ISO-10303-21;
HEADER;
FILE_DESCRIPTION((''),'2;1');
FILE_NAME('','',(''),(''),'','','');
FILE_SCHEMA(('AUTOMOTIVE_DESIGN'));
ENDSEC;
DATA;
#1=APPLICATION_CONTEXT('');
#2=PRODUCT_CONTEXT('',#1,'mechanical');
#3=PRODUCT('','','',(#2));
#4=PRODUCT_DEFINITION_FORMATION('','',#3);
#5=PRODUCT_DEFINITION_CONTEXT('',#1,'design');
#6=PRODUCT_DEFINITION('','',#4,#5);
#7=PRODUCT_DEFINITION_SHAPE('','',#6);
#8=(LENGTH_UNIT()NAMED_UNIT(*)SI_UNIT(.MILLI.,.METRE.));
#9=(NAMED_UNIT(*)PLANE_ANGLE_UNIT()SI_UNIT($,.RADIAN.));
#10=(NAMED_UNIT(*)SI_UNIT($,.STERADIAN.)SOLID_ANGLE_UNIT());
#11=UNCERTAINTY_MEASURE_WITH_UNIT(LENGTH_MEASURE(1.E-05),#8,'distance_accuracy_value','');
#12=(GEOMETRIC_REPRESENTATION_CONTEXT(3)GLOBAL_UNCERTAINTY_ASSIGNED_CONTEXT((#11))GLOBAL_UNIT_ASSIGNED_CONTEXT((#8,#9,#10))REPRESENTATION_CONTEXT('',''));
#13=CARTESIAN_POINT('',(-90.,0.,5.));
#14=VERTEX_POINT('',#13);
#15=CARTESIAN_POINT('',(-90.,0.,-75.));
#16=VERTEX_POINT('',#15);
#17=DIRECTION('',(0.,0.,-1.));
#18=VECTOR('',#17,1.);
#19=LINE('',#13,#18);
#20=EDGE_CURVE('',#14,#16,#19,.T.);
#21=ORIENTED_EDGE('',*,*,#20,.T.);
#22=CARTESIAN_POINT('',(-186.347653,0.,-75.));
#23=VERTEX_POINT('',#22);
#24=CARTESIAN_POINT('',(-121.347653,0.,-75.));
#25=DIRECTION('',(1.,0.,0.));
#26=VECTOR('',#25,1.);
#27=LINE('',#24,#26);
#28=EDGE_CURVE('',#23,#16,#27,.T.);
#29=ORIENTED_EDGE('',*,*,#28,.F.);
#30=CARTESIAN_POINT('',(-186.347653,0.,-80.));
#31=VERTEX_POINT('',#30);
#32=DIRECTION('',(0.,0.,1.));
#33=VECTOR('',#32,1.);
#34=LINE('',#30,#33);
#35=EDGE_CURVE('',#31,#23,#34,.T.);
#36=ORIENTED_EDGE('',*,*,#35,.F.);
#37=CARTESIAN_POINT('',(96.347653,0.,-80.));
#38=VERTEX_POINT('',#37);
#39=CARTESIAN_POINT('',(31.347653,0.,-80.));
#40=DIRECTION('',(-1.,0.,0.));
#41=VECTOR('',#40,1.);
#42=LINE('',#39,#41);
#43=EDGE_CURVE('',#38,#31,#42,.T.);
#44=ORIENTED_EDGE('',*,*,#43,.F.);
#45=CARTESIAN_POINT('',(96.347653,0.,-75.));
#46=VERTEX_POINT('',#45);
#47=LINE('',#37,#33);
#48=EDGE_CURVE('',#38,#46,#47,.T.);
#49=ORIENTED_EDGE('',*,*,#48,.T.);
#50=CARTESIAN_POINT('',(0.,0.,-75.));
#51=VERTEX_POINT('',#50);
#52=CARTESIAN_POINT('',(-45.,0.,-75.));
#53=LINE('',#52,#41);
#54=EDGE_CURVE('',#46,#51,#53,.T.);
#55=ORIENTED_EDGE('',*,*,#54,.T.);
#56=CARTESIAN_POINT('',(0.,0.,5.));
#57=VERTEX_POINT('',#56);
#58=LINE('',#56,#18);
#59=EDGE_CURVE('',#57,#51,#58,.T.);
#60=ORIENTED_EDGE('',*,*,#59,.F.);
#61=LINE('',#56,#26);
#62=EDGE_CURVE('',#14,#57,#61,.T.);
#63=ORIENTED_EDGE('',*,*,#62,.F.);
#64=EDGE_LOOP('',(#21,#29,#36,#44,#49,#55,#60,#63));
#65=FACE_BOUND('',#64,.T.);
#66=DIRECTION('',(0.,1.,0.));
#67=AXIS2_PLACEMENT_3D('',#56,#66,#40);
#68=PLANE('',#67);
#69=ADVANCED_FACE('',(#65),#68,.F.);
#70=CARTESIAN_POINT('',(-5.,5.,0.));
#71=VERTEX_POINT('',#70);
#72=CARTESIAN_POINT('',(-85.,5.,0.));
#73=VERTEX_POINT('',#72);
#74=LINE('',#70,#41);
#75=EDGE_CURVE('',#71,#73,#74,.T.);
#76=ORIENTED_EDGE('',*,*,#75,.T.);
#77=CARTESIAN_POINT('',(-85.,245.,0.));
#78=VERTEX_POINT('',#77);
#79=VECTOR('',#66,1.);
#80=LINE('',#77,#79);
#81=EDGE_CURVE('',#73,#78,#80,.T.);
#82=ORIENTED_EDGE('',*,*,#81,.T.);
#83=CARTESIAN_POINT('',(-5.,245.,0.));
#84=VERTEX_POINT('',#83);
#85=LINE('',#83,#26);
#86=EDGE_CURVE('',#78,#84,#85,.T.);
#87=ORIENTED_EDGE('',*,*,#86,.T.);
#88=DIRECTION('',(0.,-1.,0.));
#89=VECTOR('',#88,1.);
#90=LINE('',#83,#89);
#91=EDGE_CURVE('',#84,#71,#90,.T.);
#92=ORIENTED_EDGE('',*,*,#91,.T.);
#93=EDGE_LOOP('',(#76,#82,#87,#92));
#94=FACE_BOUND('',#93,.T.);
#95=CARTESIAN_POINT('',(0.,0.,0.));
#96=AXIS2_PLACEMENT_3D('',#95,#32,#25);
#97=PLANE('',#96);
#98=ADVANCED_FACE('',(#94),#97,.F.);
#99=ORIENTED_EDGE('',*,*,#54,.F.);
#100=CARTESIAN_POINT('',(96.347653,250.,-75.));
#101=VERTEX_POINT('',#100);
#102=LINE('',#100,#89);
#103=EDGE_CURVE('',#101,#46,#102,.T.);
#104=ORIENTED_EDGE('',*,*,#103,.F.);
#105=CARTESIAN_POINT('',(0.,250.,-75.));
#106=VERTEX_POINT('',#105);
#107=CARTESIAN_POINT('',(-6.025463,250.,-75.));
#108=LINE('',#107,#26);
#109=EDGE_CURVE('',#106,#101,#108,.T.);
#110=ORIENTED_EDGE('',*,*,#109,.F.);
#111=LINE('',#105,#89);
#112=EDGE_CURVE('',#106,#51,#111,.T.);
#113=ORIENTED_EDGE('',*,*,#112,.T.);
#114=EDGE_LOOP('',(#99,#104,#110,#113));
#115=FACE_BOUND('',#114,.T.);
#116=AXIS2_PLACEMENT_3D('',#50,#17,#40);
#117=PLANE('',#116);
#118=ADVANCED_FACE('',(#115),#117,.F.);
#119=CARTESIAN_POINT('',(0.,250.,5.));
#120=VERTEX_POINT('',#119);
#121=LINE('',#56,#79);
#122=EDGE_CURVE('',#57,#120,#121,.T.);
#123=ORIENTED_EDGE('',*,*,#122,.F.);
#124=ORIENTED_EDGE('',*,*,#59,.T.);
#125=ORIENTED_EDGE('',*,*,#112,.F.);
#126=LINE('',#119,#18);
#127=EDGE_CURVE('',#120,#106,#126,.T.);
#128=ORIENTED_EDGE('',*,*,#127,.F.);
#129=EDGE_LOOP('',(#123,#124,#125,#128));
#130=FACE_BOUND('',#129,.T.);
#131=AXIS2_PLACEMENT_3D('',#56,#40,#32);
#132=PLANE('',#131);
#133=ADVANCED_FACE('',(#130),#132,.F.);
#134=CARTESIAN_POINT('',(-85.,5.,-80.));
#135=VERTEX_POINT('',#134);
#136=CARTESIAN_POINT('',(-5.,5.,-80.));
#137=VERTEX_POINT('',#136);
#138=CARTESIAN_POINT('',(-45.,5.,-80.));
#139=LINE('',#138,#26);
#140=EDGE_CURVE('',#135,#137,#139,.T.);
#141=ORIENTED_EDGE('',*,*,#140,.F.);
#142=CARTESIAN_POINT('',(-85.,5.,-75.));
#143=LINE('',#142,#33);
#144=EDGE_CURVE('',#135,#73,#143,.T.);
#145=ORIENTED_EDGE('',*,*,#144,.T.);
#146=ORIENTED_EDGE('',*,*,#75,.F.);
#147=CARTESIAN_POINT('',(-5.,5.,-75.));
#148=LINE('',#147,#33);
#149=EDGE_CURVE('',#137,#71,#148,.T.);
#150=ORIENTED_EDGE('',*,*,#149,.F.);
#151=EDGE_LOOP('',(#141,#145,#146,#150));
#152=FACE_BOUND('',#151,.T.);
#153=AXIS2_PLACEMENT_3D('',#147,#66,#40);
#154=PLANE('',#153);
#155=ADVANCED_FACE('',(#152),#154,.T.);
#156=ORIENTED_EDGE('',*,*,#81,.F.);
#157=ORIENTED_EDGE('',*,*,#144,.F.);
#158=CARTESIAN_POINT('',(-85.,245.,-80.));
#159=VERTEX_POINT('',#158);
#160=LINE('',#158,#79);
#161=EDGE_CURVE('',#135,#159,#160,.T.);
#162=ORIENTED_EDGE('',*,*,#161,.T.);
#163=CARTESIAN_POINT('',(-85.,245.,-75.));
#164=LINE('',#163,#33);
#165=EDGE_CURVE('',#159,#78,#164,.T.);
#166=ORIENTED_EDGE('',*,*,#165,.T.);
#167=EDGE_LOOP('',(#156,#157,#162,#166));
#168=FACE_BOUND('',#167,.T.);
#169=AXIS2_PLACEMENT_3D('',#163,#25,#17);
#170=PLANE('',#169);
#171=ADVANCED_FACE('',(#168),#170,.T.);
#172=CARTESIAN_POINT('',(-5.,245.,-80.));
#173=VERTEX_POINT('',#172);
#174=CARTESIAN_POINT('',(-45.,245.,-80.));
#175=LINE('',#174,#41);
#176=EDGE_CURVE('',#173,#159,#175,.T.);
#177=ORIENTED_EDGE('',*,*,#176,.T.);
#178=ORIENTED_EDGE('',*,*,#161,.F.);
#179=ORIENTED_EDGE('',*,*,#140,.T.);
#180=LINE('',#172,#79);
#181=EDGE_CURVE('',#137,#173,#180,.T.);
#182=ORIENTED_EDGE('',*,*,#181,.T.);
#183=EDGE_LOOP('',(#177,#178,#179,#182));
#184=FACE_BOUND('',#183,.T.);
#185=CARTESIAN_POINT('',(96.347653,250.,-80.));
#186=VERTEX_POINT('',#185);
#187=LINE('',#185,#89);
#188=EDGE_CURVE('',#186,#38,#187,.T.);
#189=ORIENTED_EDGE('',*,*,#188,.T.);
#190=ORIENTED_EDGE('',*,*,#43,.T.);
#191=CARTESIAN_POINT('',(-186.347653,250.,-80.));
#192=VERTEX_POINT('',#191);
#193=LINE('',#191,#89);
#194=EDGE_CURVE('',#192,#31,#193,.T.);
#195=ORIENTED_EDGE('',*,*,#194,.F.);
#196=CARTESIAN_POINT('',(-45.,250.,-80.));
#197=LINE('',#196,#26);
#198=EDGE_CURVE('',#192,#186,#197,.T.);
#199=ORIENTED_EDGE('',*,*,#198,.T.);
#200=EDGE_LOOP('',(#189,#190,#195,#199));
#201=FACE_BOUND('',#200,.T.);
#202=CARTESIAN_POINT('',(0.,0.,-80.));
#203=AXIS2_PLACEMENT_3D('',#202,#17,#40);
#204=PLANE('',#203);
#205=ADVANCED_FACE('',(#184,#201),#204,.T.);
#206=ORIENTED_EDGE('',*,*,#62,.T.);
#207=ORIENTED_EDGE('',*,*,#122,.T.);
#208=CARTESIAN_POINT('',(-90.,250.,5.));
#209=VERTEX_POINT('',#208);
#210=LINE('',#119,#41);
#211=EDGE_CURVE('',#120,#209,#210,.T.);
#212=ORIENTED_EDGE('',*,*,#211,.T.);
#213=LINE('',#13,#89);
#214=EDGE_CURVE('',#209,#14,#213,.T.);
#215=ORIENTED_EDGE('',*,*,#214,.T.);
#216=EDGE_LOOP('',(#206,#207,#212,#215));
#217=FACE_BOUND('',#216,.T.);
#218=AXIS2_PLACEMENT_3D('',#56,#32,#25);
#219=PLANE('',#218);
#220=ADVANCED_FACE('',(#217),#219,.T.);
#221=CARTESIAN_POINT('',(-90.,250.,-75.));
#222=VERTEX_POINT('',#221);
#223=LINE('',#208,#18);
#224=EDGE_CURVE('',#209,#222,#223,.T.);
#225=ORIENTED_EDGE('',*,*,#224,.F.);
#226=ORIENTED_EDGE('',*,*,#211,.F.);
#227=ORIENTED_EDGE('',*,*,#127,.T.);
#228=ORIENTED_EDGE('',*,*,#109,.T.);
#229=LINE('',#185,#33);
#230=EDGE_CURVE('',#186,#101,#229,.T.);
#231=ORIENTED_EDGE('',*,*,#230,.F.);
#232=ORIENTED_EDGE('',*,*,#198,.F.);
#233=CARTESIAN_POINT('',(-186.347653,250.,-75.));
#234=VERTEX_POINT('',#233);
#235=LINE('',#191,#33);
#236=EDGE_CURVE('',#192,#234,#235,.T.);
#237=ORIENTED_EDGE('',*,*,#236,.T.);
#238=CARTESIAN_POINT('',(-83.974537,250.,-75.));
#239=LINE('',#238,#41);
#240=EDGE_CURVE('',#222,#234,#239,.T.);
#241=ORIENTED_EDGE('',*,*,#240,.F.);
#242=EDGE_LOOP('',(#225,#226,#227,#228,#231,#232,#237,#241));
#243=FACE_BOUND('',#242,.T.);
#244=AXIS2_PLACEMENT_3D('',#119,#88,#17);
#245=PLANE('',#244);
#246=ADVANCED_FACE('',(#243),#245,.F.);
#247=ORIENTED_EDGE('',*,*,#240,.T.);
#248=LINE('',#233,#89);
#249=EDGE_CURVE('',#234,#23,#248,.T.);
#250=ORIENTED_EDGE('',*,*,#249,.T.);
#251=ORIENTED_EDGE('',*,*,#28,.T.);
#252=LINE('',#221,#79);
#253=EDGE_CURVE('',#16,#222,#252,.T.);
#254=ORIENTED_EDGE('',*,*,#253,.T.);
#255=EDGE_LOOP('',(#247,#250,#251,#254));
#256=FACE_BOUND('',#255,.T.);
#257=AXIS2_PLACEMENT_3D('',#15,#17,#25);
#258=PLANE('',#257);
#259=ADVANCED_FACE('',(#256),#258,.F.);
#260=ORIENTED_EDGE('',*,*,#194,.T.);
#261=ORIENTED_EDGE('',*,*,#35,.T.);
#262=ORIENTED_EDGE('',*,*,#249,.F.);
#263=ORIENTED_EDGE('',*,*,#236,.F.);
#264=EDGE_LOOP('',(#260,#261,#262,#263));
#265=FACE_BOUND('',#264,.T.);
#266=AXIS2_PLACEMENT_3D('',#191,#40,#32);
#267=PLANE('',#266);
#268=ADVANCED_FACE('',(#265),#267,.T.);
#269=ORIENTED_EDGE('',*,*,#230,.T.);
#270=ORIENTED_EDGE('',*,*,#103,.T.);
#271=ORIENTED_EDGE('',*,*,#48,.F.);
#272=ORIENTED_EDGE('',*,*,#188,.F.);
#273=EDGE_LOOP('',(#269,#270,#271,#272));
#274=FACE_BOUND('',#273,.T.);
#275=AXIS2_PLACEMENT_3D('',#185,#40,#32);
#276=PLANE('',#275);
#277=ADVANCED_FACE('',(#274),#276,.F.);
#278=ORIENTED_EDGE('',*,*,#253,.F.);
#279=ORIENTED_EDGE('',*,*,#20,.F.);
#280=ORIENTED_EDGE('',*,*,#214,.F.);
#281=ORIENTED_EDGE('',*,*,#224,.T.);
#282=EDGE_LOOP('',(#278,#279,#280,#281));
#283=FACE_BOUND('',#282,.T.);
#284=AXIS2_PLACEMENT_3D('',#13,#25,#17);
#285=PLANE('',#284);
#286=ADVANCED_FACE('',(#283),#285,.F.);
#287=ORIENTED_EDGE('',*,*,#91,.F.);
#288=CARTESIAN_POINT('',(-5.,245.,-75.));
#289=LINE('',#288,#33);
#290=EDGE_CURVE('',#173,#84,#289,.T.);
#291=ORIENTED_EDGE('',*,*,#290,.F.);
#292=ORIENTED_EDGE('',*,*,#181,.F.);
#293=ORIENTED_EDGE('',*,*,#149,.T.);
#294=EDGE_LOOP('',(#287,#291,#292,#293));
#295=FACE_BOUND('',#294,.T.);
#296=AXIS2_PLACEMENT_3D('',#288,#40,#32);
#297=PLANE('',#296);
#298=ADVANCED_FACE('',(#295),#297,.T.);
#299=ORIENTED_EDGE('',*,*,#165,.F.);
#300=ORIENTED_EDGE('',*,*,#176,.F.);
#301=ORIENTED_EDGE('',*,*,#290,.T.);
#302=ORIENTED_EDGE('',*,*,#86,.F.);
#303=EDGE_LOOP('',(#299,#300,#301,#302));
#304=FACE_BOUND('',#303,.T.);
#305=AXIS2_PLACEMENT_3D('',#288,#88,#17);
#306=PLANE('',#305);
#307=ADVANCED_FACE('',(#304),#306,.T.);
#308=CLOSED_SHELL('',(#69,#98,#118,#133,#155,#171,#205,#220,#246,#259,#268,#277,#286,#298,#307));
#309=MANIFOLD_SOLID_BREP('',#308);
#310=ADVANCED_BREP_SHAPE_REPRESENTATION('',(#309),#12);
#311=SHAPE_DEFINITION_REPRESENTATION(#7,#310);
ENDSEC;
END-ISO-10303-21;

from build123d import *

# Parameters (mm, degrees)
ESQUISSE1_W        = 90
ESQUISSE1_H        = 250
BOSS_EXTRU_1_DEPTH = 5
ESQUISSE2_W        = 90
ESQUISSE2_H        = 250
ESQUISSE2_W_2      = 80
ESQUISSE2_H_2      = 240
BOSS_EXTRU_2_DEPTH = 75
BOSS_EXTRU_3_DEPTH = 5


with BuildPart() as part:
    # Esquisse1 → Boss.-Extru.1 (new body)
    with BuildSketch(Plane.XY):
        with Locations((-45, 125)):
            Rectangle(ESQUISSE1_W, ESQUISSE1_H)
    extrude(amount=BOSS_EXTRU_1_DEPTH)

    # Esquisse2 → Boss.-Extru.2 (add)
    with BuildSketch(Plane(origin=(0, 0, 0), x_dir=(-1, 0, 0), z_dir=(0, 0, -1))):
        with Locations((45, 125)):
            Rectangle(ESQUISSE2_W, ESQUISSE2_H)
        with Locations((45, 125)):
            Rectangle(ESQUISSE2_W_2, ESQUISSE2_H_2, mode=Mode.SUBTRACT)
    extrude(amount=BOSS_EXTRU_2_DEPTH)

    # Esquisse3 → Boss.-Extru.3 (add)
    with BuildSketch(Plane(origin=(0, 0, -75), x_dir=(-1, 0, 0), z_dir=(0, 0, -1))):
        Polygon((6.025463364, 250), (-96.347652867, 250), (-96.347652867, 0), (-31.347652867, 0), (45, 0), (45, 5), (5, 5), (5, 245), (45, 245), (45, 250), align=None)
    boss_extru_3 = extrude(amount=BOSS_EXTRU_3_DEPTH)

    # Symétrie1: Boss.-Extru.3 across plane
    add(boss_extru_3.mirror(Plane(origin=(-45, 245, -80), x_dir=(0, 0, 1), z_dir=(1, 0, 0))))


solid = part.part
